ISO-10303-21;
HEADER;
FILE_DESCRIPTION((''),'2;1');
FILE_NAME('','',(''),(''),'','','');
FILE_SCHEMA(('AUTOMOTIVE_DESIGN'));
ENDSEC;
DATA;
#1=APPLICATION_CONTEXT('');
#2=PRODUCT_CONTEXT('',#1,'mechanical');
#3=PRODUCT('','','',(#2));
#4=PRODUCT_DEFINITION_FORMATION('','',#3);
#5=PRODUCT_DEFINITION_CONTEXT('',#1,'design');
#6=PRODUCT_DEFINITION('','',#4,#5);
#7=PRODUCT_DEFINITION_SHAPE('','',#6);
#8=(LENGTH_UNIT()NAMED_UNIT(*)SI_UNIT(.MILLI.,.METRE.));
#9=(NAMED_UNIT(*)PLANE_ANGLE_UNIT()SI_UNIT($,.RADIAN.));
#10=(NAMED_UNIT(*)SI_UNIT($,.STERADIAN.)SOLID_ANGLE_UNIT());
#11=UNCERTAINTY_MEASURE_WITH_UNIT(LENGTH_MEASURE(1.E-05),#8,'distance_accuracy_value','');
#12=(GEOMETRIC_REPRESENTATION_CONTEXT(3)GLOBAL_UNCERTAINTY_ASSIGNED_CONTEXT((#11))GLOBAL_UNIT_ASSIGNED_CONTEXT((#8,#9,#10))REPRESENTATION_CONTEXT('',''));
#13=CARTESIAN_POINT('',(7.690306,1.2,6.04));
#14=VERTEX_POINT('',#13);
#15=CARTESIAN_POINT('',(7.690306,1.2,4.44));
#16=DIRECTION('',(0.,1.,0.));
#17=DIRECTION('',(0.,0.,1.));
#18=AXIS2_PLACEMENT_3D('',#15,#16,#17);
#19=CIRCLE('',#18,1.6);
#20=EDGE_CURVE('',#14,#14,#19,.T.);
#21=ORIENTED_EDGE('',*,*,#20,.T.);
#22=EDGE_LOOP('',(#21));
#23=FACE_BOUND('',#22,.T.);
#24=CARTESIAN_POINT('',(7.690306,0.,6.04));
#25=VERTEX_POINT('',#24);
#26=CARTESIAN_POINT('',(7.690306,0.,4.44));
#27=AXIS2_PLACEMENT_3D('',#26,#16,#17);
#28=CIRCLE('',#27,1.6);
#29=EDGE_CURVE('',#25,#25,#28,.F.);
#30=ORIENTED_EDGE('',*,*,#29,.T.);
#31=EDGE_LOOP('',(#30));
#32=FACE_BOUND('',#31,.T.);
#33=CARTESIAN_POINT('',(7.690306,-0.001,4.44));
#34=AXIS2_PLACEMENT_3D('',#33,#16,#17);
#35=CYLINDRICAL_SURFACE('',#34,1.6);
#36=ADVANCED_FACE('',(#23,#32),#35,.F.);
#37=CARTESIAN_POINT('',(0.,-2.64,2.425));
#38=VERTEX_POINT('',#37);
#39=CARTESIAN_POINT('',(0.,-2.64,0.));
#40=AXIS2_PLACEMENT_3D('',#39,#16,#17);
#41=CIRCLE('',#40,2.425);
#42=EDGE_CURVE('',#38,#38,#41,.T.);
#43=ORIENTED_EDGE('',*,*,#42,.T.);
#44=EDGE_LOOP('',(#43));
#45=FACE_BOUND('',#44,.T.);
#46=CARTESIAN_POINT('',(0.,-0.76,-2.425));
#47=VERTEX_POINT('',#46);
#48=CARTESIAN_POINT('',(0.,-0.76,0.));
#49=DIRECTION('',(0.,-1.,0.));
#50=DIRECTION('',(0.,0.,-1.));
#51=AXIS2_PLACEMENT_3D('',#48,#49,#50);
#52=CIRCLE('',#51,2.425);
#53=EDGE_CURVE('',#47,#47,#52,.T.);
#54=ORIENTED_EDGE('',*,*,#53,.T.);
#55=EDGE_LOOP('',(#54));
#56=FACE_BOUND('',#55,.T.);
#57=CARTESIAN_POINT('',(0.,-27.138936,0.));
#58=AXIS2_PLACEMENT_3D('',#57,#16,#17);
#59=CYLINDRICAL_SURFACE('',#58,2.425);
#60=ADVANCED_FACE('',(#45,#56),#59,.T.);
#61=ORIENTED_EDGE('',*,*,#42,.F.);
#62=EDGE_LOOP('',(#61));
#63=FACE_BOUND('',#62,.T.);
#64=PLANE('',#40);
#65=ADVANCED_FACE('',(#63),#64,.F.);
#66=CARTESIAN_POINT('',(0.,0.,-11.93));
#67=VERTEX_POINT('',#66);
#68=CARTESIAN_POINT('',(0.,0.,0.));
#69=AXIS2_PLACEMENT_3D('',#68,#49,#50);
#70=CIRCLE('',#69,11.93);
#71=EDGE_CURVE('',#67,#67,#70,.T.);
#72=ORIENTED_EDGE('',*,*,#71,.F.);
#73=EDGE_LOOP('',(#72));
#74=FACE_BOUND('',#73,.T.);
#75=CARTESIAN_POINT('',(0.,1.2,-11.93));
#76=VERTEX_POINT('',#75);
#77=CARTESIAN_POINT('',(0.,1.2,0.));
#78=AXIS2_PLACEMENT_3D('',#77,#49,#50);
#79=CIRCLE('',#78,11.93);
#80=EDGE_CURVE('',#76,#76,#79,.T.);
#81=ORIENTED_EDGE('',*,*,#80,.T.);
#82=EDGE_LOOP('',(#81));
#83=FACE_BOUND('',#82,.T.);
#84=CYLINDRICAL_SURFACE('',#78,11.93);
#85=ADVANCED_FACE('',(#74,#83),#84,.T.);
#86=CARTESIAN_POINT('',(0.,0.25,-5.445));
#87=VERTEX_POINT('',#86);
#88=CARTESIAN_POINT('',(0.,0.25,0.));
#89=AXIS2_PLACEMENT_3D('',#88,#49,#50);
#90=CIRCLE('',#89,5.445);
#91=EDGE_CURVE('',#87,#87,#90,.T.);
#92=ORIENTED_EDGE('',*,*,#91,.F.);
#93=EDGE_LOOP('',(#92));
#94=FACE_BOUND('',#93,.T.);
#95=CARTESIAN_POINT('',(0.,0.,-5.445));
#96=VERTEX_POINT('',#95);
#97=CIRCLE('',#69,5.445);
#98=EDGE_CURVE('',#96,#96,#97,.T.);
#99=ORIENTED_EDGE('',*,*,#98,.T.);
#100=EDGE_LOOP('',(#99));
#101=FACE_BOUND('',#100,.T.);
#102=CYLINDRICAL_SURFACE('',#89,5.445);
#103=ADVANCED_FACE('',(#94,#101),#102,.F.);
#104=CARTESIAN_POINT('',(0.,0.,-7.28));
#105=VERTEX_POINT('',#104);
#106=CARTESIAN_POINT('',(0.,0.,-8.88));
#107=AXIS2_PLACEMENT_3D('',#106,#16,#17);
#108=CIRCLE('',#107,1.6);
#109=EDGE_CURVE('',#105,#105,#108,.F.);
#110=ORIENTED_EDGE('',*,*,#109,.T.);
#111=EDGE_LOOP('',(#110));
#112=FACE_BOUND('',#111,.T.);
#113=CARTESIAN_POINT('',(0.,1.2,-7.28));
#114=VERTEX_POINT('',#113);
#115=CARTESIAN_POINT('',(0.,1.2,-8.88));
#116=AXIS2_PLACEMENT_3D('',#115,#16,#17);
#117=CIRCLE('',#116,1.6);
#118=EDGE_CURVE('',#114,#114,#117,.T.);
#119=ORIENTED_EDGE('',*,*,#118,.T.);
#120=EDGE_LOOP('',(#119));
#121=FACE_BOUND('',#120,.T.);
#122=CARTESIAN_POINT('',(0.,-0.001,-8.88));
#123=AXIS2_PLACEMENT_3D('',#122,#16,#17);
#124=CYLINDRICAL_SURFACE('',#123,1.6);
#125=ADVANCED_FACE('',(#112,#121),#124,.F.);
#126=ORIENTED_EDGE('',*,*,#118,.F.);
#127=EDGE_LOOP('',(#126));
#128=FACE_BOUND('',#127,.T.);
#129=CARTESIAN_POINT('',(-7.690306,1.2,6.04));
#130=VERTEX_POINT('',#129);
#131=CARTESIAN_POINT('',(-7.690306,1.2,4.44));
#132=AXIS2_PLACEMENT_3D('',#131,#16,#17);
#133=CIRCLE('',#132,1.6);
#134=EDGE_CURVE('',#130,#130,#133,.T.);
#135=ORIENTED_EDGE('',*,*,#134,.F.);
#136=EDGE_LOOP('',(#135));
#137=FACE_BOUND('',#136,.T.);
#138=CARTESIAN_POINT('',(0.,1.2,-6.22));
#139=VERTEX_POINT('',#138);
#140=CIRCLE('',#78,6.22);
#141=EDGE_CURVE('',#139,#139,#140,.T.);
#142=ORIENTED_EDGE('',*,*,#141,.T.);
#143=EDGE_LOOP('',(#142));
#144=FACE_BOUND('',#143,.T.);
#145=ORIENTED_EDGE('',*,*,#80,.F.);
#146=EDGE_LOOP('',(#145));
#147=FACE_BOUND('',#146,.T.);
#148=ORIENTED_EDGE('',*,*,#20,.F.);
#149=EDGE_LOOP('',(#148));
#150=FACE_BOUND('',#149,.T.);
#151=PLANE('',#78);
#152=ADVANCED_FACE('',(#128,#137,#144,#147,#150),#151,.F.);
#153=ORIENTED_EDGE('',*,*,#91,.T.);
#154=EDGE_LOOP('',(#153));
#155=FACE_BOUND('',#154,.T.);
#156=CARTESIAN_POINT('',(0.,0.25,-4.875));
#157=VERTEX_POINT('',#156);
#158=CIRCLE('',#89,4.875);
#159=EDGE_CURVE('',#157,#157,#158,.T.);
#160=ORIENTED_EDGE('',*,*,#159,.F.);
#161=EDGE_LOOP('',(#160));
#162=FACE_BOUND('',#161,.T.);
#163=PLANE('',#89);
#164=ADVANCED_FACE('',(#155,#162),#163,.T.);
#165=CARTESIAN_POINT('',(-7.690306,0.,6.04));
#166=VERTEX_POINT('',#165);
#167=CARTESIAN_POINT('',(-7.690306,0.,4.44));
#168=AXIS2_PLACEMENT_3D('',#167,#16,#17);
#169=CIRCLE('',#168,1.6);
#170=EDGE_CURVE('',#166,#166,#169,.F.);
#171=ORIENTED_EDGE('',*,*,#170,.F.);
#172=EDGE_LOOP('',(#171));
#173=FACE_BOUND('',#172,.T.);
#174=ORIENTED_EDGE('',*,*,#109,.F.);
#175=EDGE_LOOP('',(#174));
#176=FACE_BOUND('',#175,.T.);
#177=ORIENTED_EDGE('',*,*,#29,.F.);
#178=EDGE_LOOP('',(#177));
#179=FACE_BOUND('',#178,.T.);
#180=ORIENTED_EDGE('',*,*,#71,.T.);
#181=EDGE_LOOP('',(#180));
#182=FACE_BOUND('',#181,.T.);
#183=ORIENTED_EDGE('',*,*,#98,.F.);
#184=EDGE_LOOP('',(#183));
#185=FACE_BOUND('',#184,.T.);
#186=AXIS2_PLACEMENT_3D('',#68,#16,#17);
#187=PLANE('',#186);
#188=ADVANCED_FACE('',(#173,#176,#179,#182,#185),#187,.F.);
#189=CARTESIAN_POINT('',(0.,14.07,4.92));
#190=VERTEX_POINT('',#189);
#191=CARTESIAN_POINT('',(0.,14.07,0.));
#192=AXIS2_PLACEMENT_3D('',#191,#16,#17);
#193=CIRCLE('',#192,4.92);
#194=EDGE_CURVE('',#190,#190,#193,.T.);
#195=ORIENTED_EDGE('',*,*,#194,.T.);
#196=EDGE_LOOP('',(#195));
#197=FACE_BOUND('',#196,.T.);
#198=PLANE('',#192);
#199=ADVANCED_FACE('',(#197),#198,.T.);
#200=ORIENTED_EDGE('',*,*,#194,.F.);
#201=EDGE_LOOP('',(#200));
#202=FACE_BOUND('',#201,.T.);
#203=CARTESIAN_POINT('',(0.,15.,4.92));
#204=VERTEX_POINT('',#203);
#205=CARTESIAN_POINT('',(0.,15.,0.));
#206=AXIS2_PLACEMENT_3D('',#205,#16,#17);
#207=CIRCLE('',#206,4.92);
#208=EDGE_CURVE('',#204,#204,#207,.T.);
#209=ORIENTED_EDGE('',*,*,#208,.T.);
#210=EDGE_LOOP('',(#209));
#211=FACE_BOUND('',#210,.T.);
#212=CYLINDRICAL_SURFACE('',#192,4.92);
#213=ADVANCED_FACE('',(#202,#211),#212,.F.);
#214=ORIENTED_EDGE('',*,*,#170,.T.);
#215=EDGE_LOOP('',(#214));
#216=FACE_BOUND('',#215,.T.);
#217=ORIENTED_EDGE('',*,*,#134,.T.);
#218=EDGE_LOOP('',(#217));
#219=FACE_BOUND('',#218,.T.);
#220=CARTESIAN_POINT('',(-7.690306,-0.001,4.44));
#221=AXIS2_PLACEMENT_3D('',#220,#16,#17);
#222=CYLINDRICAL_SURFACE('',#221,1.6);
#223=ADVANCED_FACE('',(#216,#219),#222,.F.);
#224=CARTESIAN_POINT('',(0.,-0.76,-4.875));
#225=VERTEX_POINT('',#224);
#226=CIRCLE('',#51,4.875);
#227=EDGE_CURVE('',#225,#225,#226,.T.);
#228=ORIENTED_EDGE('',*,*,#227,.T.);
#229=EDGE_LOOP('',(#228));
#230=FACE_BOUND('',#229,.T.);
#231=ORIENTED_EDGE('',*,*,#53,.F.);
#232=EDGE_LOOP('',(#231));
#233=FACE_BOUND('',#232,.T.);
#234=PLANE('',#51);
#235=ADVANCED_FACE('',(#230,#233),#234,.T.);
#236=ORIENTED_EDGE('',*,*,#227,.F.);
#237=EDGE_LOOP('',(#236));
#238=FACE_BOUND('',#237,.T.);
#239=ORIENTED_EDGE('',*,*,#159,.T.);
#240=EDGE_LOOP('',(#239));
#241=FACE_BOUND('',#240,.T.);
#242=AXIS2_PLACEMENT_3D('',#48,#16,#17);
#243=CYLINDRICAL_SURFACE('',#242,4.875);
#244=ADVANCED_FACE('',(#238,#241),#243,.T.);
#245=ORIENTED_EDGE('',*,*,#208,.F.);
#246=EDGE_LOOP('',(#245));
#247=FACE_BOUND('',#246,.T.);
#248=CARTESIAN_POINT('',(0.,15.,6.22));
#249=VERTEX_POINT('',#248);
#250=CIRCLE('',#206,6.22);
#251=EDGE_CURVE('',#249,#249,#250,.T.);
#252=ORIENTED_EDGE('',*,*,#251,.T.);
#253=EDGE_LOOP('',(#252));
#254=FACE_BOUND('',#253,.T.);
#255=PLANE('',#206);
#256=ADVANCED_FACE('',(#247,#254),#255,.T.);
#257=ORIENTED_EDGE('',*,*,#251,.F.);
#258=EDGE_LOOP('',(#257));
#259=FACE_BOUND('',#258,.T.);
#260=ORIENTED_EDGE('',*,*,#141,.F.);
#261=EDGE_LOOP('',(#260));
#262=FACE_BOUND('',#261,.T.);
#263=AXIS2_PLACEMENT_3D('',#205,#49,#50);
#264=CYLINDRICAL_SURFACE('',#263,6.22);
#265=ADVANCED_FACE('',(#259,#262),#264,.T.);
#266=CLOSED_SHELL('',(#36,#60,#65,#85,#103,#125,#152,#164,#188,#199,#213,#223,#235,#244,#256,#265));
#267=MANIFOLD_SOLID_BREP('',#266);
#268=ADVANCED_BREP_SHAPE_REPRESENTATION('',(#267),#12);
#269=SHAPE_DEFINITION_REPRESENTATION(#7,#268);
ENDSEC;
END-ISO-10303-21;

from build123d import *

# Parameters (mm, degrees)
SKETCH1_R           = 6.22
BOSS_EXTRUDE1_DEPTH = 15
SKETCH2_R           = 11.93
BOSS_EXTRUDE2_DEPTH = 1.2
CUT_EXTRUDE1_REACH  = 3.2
SKETCH3_R           = 1.6
SKETCH4_R           = 4.92
CUT_EXTRUDE2_DEPTH  = 0.93
SKETCH5_R           = 4.875
BOSS_EXTRUDE3_DEPTH = 0.76
SKETCH6_R           = 2.425
BOSS_EXTRUDE4_DEPTH = 1.88
SKETCH7_R           = 5.445
SKETCH7_R_2         = 4.875
CUT_EXTRUDE3_DEPTH  = 0.25


with BuildPart() as part:
    # Sketch1 → Boss-Extrude1 (new body)
    with BuildSketch(Plane(origin=(0, 0, 0), x_dir=(1, 0, 0), z_dir=(0, 1, 0))):
        Circle(SKETCH1_R)
    extrude(amount=BOSS_EXTRUDE1_DEPTH)

    # Sketch2 → Boss-Extrude2 (add)
    with BuildSketch(Plane.XZ):
        Circle(SKETCH2_R)
    extrude(amount=-BOSS_EXTRUDE2_DEPTH)

    # Sketch3 → Cut-Extrude1 (cut, up to next)
    with BuildSketch(Plane(origin=(0, 1.2, 0), x_dir=(1, 0, 0), z_dir=(0, 1, 0)), mode=Mode.PRIVATE) as cut_extrude1_sk1:
        with Locations((0, 8.88)):
            Circle(SKETCH3_R)
    cut_extrude1_tool1 = extrude(cut_extrude1_sk1.sketch, amount=-CUT_EXTRUDE1_REACH, mode=Mode.PRIVATE) & part.part
    add(cut_extrude1_tool1.solids().sort_by_distance((0, 1.2, -8.88))[0], mode=Mode.SUBTRACT)
    # Sketch3 → Cut-Extrude1 (cut, up to next)
    with BuildSketch(Plane(origin=(0, 1.2, 0), x_dir=(1, 0, 0), z_dir=(0, 1, 0)), mode=Mode.PRIVATE) as cut_extrude1_sk2:
        with Locations((7.690305586, -4.44)):
            Circle(SKETCH3_R)
    cut_extrude1_tool2 = extrude(cut_extrude1_sk2.sketch, amount=-CUT_EXTRUDE1_REACH, mode=Mode.PRIVATE) & part.part
    add(cut_extrude1_tool2.solids().sort_by_distance((7.690306, 1.2, 4.44))[0], mode=Mode.SUBTRACT)
    # Sketch3 → Cut-Extrude1 (cut, up to next)
    with BuildSketch(Plane(origin=(0, 1.2, 0), x_dir=(1, 0, 0), z_dir=(0, 1, 0)), mode=Mode.PRIVATE) as cut_extrude1_sk3:
        with Locations((-7.690305586, -4.44)):
            Circle(SKETCH3_R)
    cut_extrude1_tool3 = extrude(cut_extrude1_sk3.sketch, amount=-CUT_EXTRUDE1_REACH, mode=Mode.PRIVATE) & part.part
    add(cut_extrude1_tool3.solids().sort_by_distance((-7.690306, 1.2, 4.44))[0], mode=Mode.SUBTRACT)

    # Sketch4 → Cut-Extrude2 (cut)
    with BuildSketch(Plane(origin=(0, 15, 0), x_dir=(1, 0, 0), z_dir=(0, 1, 0))):
        Circle(SKETCH4_R)
    extrude(amount=-CUT_EXTRUDE2_DEPTH, mode=Mode.SUBTRACT)

    # Sketch5 → Boss-Extrude3 (add)
    with BuildSketch(Plane.XZ):
        Circle(SKETCH5_R)
    extrude(amount=BOSS_EXTRUDE3_DEPTH)

    # Sketch6 → Boss-Extrude4 (add)
    with BuildSketch(Plane.XZ.offset(0.76)):
        Circle(SKETCH6_R)
    extrude(amount=BOSS_EXTRUDE4_DEPTH)

    # Sketch7 → Cut-Extrude3 (cut)
    with BuildSketch(Plane.XZ):
        Circle(SKETCH7_R)
        Circle(SKETCH7_R_2, mode=Mode.SUBTRACT)
    extrude(amount=-CUT_EXTRUDE3_DEPTH, mode=Mode.SUBTRACT)


solid = part.part
